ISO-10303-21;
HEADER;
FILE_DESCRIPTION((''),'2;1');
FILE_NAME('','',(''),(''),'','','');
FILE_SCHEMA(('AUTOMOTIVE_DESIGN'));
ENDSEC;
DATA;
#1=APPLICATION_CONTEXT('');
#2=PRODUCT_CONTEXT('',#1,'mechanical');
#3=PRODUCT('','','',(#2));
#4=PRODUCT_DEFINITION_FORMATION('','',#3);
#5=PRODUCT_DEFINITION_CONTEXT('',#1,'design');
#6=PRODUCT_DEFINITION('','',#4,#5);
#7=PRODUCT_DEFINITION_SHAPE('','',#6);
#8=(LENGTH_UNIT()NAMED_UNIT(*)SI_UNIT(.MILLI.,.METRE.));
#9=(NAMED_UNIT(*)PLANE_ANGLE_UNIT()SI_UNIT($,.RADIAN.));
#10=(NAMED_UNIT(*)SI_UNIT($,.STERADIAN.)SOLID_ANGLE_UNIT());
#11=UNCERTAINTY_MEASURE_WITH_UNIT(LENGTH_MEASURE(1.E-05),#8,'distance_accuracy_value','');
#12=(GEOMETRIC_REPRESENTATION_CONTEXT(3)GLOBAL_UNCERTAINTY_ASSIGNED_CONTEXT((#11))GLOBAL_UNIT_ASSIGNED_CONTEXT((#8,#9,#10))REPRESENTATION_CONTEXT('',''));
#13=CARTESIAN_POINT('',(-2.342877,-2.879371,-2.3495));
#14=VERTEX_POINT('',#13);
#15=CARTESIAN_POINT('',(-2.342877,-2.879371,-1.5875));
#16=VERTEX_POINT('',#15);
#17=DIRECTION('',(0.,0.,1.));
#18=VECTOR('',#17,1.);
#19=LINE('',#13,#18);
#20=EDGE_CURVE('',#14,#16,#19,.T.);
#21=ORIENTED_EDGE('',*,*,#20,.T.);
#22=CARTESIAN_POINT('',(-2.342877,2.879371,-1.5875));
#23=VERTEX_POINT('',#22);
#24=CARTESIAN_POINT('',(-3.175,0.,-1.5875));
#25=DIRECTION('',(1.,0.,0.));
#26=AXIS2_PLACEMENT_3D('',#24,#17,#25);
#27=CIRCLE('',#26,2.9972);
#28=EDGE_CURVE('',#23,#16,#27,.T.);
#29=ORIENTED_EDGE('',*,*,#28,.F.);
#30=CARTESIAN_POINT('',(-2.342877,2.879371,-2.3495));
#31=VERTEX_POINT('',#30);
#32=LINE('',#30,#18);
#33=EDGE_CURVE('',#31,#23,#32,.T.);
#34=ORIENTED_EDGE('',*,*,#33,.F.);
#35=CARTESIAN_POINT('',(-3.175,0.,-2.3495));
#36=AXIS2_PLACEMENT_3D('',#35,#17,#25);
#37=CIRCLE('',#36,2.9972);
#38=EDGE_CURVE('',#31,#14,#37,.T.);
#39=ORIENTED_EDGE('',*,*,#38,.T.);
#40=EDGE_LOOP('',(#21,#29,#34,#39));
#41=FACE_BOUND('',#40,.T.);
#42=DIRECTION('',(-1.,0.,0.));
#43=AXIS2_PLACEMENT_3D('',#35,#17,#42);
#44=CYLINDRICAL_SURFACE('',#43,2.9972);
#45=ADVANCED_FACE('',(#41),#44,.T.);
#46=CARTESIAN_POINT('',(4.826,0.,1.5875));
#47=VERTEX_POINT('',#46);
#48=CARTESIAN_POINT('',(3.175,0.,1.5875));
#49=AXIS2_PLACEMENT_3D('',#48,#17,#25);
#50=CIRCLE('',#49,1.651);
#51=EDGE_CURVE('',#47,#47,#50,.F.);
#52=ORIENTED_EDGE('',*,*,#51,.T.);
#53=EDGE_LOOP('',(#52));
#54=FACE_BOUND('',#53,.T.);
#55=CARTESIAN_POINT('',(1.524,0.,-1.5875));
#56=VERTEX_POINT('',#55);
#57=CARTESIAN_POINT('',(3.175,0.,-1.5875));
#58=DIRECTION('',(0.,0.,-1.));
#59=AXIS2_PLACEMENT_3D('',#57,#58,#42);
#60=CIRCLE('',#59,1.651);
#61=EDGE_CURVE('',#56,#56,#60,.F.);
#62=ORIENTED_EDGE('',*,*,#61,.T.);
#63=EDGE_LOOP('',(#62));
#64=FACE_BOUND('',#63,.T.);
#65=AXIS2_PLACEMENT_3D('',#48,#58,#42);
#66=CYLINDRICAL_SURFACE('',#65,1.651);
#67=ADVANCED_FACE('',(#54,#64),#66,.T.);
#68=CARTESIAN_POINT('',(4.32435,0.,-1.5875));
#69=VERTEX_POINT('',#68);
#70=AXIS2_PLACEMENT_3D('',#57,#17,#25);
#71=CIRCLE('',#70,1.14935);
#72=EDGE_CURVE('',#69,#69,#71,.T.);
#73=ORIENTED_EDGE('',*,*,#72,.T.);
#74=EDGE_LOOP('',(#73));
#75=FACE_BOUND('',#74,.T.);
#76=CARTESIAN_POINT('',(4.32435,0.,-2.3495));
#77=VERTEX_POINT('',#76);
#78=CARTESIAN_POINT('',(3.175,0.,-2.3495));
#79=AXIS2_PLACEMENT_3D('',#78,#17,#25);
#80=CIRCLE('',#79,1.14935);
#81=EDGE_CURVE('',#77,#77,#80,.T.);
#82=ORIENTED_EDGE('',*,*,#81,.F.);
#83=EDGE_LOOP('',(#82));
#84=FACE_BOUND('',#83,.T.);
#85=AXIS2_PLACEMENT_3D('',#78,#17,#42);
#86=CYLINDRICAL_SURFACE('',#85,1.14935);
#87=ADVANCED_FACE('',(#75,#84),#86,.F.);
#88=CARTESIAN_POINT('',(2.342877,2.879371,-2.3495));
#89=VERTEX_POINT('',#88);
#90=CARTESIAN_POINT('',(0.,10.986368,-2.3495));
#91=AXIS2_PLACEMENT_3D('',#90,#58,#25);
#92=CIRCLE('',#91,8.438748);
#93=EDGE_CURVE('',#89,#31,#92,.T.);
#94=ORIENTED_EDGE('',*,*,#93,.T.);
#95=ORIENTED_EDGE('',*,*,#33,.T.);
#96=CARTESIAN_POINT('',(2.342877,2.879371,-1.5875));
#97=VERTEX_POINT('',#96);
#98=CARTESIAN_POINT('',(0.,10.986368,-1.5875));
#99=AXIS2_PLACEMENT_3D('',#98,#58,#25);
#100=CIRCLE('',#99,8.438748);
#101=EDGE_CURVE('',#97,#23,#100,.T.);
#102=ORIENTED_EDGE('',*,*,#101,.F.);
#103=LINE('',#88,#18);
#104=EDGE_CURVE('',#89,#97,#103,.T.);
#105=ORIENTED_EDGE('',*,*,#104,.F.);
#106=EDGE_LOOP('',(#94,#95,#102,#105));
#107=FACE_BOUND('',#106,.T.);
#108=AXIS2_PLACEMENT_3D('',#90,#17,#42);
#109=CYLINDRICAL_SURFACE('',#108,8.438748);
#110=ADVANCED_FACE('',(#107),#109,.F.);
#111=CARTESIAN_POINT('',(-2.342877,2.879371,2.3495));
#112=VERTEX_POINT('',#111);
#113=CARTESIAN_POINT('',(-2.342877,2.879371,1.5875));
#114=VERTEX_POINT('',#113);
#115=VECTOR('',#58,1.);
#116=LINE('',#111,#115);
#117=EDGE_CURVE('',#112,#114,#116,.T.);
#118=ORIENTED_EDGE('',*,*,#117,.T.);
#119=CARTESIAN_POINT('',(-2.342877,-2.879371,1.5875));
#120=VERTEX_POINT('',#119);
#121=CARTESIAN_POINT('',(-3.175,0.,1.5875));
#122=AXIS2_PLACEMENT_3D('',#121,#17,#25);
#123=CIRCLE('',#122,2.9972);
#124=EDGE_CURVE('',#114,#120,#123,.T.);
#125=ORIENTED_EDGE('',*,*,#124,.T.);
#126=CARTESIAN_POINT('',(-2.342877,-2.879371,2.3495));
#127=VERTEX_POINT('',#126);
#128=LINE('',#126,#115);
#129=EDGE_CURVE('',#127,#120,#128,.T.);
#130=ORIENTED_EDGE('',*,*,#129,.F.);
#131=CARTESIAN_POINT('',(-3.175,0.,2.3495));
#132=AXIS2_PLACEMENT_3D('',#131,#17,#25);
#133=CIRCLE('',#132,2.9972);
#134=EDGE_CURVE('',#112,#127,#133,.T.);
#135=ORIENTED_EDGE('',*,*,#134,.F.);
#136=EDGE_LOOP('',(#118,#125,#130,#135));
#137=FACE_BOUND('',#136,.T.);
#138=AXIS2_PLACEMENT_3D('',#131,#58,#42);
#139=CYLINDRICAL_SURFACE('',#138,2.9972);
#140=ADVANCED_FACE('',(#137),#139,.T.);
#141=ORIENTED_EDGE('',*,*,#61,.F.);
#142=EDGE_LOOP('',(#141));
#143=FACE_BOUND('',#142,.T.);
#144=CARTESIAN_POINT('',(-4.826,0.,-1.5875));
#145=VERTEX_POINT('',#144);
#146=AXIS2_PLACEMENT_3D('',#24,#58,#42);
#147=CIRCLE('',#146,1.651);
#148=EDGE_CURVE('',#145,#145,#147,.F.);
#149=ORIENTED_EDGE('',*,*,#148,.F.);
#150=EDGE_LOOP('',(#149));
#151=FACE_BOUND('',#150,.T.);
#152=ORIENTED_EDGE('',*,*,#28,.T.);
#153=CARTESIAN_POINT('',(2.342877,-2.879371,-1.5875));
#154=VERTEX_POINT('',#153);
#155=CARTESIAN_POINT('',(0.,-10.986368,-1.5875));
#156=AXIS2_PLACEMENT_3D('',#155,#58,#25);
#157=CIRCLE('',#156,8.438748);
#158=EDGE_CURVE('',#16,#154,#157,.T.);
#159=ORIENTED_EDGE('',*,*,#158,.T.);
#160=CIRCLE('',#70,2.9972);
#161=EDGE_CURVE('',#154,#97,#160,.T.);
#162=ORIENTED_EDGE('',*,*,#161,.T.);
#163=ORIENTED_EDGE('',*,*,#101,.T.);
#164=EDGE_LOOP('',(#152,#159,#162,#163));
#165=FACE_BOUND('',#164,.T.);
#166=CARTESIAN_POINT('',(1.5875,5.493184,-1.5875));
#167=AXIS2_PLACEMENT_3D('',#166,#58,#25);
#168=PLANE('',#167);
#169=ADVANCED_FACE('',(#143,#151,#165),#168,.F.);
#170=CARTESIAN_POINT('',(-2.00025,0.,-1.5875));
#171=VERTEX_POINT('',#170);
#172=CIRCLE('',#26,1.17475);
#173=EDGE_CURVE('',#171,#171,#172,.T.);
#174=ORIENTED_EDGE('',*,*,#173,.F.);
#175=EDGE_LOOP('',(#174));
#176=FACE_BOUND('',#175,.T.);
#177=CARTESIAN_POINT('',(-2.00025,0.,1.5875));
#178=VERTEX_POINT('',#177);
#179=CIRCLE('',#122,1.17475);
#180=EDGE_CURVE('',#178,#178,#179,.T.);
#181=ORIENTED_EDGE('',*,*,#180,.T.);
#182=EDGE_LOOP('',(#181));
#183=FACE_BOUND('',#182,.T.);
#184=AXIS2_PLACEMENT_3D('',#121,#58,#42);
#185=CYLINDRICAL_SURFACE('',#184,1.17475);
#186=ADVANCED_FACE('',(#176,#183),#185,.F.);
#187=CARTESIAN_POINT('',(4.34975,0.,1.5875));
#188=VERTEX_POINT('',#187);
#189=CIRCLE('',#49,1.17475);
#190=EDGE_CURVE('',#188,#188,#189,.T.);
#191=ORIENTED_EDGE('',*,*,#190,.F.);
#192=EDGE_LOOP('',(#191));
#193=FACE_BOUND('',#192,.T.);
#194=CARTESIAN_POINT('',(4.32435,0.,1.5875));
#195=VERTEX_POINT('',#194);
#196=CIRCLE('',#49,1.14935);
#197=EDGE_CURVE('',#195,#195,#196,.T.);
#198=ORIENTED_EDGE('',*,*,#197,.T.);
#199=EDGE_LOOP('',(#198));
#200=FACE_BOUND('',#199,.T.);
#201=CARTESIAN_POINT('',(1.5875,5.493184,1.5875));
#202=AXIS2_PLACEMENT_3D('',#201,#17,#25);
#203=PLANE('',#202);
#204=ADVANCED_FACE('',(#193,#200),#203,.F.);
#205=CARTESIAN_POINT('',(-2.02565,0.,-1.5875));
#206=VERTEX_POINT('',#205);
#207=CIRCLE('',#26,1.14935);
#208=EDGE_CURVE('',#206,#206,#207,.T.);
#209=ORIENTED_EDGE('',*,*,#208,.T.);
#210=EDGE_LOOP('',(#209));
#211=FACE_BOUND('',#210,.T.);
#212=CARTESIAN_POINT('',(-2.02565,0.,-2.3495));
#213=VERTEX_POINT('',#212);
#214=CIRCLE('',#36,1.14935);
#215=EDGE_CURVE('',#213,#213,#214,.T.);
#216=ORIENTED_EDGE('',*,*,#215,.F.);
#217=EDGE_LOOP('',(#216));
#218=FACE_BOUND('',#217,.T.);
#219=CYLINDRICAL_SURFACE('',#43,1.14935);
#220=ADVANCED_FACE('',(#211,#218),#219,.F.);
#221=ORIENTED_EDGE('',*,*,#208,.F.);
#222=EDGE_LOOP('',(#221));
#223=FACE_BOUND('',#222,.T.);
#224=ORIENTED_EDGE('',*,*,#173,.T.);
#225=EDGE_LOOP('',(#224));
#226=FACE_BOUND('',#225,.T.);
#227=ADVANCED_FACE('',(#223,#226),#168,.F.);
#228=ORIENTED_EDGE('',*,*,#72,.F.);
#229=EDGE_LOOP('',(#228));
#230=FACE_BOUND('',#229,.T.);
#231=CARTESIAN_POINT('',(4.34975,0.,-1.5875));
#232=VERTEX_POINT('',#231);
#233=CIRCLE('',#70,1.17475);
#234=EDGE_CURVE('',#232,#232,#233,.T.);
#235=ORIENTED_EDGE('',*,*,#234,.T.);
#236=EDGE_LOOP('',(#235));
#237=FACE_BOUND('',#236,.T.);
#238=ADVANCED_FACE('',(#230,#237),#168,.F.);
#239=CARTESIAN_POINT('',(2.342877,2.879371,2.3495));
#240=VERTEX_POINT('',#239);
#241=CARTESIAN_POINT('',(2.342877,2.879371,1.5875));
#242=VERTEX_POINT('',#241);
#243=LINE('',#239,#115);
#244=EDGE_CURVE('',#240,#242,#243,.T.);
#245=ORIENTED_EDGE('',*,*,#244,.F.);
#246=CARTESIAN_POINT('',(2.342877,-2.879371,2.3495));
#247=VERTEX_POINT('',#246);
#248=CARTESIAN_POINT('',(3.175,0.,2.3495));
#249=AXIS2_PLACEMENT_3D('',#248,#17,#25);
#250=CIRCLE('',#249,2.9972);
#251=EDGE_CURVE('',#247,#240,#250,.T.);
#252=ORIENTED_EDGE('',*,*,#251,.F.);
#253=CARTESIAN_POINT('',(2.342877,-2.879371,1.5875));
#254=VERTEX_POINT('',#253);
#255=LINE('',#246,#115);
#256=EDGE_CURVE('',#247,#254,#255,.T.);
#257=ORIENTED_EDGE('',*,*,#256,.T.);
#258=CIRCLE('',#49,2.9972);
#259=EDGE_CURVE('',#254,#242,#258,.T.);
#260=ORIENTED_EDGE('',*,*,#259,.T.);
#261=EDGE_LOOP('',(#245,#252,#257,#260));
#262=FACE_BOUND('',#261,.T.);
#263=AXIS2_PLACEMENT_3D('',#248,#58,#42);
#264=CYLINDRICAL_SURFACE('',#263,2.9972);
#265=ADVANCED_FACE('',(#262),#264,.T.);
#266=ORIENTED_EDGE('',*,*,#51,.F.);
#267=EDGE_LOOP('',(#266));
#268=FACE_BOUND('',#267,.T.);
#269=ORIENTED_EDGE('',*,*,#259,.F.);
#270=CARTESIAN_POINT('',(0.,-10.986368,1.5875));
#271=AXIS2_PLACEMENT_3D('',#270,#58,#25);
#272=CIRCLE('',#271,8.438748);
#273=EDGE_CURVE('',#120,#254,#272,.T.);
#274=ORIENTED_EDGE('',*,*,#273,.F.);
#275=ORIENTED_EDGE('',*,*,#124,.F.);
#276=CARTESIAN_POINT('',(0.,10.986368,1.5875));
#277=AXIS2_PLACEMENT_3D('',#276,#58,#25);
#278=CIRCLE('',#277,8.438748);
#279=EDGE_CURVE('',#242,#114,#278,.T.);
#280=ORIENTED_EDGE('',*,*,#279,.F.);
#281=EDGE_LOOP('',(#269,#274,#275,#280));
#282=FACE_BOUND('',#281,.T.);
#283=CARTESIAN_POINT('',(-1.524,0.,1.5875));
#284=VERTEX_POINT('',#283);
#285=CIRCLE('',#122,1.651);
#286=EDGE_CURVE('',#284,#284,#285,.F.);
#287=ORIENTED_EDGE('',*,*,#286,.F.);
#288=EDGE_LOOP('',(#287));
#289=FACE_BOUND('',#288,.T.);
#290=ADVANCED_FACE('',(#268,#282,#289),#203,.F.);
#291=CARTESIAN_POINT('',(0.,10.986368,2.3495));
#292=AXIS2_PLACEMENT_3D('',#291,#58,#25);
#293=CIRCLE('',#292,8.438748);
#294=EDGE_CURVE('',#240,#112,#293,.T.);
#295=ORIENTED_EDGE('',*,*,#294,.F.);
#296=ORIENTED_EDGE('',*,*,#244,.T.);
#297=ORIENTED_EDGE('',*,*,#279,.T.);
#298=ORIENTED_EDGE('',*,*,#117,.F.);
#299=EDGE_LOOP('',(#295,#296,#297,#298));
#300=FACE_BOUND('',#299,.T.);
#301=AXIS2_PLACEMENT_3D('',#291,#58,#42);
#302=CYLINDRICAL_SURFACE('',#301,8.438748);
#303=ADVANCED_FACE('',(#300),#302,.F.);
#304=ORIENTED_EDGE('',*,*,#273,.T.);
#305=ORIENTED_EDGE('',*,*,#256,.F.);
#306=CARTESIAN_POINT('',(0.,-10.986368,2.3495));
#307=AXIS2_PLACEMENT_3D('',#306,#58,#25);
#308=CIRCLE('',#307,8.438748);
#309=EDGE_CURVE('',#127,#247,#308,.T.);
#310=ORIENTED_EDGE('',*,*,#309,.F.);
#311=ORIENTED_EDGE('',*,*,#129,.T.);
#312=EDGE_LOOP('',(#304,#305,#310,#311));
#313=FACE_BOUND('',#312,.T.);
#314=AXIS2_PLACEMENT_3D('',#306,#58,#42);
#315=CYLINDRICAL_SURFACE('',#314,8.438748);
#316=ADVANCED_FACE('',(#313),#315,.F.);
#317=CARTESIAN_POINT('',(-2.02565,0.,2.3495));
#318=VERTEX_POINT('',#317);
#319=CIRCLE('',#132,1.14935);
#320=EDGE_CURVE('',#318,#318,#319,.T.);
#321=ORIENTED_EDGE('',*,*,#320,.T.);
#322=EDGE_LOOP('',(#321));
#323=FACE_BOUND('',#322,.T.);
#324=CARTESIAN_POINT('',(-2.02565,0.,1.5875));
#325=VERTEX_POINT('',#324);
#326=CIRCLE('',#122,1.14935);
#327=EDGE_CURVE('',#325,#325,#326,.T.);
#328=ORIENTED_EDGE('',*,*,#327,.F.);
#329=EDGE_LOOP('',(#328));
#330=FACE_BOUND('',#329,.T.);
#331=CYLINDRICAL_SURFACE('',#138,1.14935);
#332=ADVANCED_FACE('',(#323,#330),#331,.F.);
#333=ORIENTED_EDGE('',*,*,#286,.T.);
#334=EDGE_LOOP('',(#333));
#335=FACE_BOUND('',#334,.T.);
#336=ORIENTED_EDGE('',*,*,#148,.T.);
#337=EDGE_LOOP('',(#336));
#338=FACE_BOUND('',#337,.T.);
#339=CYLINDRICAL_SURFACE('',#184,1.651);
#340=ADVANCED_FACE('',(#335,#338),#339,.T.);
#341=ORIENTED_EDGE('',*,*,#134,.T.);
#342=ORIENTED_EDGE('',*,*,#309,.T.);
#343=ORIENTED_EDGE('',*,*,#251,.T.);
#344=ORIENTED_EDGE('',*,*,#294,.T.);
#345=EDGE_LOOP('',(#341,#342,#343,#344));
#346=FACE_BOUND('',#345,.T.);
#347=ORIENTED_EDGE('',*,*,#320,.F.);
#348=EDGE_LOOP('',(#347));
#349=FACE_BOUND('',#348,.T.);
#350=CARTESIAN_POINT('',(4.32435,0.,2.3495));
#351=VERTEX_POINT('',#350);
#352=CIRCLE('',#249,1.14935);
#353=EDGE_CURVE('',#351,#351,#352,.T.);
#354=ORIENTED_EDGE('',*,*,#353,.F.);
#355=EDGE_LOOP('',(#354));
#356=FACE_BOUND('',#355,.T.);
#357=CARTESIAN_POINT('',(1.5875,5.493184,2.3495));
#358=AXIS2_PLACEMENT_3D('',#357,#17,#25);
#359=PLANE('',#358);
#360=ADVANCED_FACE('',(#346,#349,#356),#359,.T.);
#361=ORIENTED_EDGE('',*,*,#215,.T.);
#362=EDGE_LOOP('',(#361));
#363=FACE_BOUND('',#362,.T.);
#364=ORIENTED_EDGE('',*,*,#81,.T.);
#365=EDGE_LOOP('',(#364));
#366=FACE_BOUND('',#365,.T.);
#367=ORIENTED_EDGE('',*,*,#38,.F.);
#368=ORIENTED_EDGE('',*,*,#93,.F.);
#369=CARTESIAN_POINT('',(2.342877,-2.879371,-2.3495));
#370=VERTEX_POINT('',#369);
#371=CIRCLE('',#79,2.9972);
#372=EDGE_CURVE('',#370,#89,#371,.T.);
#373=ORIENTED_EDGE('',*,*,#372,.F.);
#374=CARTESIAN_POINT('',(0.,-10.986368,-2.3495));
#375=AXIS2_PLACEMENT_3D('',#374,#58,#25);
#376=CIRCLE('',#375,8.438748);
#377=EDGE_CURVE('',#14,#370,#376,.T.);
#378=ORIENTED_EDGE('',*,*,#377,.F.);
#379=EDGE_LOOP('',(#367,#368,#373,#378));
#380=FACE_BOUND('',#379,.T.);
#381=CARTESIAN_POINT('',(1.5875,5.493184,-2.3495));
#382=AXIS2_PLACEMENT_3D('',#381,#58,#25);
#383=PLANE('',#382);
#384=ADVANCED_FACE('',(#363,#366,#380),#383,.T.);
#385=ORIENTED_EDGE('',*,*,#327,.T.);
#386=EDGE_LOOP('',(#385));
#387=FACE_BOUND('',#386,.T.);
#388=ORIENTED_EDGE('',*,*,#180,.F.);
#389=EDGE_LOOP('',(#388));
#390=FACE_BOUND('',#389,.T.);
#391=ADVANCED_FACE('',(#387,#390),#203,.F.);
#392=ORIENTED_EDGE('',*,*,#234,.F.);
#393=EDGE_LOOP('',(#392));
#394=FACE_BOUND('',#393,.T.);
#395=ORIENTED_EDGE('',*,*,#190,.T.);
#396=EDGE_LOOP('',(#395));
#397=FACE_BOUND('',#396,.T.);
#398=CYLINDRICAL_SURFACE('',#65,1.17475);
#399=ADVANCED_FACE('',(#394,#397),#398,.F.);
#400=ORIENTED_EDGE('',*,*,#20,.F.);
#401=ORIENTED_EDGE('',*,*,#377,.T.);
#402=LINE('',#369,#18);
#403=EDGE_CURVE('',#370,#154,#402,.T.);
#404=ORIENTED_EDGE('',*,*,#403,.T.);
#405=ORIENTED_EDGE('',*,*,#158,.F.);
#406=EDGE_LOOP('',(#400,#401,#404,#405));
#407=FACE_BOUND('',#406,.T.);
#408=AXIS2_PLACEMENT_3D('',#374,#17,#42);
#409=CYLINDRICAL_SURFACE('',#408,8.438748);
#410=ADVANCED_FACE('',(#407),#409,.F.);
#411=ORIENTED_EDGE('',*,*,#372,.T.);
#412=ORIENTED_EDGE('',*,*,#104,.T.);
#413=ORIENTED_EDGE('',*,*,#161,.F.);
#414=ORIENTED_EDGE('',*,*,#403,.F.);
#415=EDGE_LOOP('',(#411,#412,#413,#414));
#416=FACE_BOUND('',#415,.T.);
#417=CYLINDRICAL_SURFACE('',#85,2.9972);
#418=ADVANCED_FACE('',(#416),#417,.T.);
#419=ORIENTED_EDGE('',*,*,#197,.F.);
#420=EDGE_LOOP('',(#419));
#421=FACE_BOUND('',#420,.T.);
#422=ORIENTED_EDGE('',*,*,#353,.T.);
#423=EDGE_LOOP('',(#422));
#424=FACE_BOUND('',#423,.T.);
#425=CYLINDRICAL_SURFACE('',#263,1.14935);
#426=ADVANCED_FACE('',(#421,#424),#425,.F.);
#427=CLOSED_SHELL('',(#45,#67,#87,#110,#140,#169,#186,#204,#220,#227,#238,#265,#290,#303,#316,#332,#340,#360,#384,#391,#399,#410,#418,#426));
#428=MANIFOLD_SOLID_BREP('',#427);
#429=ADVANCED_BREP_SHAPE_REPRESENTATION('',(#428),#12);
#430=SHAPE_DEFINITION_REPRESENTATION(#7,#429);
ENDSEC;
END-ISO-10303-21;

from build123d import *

# Parameters (mm, degrees)
SKETCH4_R             = 1.651
SKETCH4_R_2           = 1.17475
BOSS_EXTRUDE1_DEPTH   = 1.5875
BOSS_EXTRUDE1_2_DEPTH = 1.5875
SKETCH5_R             = 1.14935
BOSS_EXTRUDE2_DEPTH   = 0.762


with BuildPart() as part:
    # Sketch4 → Boss-Extrude1 (new, symmetric)
    with BuildSketch(Plane.XY):
        with Locations((-3.175, 0)):
            Circle(SKETCH4_R)
        with Locations((-3.175, 0)):
            Circle(SKETCH4_R_2, mode=Mode.SUBTRACT)
    extrude(amount=BOSS_EXTRUDE1_DEPTH, both=True)


with BuildPart() as body_2:
    # Sketch4 → Boss-Extrude1 2 (new, symmetric)
    with BuildSketch(Plane.XY):
        with Locations((3.175, 0)):
            Circle(SKETCH4_R)
        with Locations((3.175, 0)):
            Circle(SKETCH4_R_2, mode=Mode.SUBTRACT)
    extrude(amount=BOSS_EXTRUDE1_2_DEPTH, both=True)


with BuildPart() as body_3:
    # Sketch5 → Boss-Extrude2 (new body)
    with BuildSketch(Plane.XY.offset(1.5875)):
        with BuildLine():
            ThreePointArc((-2.342877482, 2.879371452), (-6.1722, 0), (-2.342877482, -2.879371452))
            ThreePointArc((-2.342877482, -2.879371452), (0, -2.54762), (2.342877482, -2.879371452))
            ThreePointArc((2.342877482, -2.879371452), (6.1722, 0), (2.342877482, 2.879371452))
            ThreePointArc((2.342877482, 2.879371452), (0, 2.54762), (-2.342877482, 2.879371452))
        make_face()
        with Locations((-3.175, 0)):
            Circle(SKETCH5_R, mode=Mode.SUBTRACT)
        with Locations((3.175, 0)):
            Circle(SKETCH5_R, mode=Mode.SUBTRACT)
    extrude(amount=BOSS_EXTRUDE2_DEPTH)


with BuildPart() as body_4:
    # Mirror3: mirrored copy
    add(body_3.part.mirror(Plane.XY))

    # Combine2: union body 3, body 2, part
    add(body_3.part)
    add(body_2.part)
    add(part.part)


solid = body_4.part
